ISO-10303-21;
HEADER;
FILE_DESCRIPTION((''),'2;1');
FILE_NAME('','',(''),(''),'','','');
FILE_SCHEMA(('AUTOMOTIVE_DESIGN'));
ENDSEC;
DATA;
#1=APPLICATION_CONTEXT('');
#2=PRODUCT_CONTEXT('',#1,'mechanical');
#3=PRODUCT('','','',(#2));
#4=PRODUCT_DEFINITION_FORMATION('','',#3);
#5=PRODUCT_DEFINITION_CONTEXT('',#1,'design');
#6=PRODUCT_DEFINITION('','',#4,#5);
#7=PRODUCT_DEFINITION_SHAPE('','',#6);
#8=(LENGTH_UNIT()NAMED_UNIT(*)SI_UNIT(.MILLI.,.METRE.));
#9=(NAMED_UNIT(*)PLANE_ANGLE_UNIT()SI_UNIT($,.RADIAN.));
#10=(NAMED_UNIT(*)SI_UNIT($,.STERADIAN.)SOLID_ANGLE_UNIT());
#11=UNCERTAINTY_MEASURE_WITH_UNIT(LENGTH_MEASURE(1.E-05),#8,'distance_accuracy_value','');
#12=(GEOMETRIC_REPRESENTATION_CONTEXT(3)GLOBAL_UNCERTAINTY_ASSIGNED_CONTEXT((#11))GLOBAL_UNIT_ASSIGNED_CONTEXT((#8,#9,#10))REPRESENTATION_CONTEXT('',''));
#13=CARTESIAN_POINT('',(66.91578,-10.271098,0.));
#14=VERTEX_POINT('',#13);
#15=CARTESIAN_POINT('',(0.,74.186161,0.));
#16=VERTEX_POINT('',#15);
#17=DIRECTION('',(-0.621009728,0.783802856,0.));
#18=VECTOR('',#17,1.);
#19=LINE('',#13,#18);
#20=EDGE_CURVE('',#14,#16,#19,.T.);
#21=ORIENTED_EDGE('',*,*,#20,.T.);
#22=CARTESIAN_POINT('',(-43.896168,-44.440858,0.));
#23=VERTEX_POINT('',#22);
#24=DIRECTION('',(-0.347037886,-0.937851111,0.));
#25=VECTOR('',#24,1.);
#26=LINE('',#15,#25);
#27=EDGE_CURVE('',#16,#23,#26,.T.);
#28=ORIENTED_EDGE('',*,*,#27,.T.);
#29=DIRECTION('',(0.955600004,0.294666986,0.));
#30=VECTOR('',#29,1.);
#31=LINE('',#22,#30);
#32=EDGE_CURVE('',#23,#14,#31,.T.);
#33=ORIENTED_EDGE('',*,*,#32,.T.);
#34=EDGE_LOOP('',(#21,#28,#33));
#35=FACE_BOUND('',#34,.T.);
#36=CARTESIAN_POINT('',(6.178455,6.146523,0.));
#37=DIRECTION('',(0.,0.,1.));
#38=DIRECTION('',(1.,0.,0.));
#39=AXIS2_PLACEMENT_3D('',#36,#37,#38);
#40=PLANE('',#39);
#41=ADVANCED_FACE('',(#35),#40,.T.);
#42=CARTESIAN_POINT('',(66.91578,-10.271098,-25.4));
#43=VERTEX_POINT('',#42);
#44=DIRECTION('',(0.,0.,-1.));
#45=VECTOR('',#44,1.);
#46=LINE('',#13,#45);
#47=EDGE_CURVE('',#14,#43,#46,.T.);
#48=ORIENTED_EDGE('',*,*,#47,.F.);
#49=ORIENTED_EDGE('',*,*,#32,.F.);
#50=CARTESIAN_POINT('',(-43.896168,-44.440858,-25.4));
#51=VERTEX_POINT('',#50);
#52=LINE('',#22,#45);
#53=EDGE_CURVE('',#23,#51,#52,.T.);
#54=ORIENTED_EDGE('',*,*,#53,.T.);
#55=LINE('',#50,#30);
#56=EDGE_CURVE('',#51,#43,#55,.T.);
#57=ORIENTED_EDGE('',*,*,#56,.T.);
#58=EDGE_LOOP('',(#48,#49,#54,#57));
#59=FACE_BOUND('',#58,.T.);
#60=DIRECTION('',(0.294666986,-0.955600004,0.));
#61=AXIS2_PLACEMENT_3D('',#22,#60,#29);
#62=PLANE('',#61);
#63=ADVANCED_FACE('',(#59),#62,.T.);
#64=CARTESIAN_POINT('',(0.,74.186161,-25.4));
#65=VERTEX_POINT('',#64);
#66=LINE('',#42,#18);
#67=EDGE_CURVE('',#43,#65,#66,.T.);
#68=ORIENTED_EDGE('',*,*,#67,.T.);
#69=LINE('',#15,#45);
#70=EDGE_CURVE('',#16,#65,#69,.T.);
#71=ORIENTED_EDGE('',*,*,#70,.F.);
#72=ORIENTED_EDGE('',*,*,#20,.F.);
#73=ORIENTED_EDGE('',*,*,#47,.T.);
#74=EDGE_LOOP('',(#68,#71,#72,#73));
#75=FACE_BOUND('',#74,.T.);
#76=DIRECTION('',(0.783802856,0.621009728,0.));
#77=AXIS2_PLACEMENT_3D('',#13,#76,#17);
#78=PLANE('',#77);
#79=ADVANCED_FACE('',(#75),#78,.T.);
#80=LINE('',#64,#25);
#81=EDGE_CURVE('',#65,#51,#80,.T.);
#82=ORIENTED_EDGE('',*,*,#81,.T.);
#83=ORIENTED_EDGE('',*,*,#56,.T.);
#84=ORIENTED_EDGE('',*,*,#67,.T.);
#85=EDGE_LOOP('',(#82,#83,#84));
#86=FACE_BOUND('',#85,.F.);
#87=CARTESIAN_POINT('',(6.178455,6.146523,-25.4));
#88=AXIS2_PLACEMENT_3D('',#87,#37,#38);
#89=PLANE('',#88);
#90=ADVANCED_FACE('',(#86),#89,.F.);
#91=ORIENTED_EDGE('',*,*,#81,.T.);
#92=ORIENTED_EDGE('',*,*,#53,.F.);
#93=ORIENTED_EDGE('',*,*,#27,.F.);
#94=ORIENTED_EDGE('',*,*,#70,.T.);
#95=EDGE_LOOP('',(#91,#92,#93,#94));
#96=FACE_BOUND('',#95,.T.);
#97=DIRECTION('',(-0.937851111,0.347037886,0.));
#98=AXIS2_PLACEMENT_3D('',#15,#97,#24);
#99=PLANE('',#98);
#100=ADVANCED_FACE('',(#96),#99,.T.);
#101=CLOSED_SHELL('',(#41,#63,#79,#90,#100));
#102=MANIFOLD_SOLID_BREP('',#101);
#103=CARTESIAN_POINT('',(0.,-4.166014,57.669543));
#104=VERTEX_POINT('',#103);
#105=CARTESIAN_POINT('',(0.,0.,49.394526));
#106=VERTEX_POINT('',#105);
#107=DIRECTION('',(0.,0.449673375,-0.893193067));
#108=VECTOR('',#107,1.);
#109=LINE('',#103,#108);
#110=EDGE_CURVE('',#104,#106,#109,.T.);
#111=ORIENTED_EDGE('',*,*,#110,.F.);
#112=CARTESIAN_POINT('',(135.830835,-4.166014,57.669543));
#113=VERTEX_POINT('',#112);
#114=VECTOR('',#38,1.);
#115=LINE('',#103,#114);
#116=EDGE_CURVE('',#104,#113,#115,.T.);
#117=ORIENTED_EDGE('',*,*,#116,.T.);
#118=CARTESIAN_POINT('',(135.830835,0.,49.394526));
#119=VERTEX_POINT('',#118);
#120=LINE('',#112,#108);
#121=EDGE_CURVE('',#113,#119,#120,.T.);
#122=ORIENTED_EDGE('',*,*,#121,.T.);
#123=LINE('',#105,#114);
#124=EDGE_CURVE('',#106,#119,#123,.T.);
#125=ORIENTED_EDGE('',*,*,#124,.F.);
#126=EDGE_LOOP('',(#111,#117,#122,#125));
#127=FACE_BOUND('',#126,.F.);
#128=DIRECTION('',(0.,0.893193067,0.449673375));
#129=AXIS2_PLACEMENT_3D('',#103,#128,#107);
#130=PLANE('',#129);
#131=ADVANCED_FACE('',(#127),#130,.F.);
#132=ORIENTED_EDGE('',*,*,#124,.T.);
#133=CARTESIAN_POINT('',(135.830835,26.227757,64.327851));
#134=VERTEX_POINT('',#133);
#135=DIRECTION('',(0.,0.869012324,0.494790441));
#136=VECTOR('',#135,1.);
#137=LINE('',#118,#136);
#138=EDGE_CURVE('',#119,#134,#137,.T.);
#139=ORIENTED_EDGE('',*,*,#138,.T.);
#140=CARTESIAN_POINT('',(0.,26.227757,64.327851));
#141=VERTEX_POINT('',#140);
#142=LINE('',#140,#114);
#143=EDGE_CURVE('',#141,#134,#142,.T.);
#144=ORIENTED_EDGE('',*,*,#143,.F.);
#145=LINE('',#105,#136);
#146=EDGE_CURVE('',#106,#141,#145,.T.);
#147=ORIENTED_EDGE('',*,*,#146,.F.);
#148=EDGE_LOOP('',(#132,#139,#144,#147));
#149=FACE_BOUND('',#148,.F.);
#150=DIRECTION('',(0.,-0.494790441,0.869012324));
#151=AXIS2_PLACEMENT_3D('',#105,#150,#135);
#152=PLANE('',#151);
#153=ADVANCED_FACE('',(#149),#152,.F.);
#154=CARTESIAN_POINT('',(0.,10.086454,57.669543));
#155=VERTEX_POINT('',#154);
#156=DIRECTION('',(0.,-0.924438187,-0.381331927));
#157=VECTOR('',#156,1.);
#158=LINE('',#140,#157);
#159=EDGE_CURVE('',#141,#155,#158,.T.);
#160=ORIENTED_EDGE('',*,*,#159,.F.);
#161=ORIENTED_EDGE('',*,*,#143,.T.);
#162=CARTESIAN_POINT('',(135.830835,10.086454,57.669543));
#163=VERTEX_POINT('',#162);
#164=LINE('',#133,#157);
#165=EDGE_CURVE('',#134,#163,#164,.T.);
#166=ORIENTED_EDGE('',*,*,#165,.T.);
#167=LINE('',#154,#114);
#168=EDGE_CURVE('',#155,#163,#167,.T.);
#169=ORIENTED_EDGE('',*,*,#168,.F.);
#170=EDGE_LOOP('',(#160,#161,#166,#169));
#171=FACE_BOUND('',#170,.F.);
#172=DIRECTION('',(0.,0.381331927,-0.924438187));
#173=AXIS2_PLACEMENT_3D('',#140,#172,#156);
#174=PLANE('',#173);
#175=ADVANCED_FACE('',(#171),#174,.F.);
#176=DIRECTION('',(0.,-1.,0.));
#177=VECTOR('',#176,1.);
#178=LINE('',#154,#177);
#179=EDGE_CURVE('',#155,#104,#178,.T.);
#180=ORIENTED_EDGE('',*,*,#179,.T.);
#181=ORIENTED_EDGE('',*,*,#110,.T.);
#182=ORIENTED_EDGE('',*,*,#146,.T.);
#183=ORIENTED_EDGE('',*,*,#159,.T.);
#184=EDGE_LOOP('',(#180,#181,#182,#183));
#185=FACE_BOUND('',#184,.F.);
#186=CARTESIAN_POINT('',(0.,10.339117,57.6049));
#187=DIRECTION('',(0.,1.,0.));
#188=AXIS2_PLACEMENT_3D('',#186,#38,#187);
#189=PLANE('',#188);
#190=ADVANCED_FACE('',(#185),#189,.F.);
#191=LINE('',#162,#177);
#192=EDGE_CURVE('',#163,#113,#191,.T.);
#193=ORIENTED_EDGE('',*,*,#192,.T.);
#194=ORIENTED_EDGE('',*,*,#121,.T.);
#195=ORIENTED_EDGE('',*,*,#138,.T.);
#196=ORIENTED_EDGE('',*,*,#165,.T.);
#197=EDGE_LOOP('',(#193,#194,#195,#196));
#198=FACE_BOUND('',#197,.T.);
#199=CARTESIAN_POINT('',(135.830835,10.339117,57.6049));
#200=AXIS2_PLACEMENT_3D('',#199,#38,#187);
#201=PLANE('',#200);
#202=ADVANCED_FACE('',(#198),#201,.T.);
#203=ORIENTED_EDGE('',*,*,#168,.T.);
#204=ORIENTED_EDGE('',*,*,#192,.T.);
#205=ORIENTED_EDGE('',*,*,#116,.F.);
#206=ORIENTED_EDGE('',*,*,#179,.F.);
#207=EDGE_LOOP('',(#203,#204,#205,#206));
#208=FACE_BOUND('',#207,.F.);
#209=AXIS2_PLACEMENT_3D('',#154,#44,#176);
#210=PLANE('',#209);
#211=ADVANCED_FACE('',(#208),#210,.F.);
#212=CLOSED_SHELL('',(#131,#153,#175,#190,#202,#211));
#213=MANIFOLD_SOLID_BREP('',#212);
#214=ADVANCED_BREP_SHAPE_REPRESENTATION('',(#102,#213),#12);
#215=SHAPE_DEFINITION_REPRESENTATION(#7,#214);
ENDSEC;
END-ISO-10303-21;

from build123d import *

# Parameters (mm, degrees)
F1_DEPTH = 25.4
F3_DEPTH = 135.830835


with BuildPart() as f1:
    # F0 (on Top) → F1 (new body)
    with BuildSketch(Plane.XY):
        Polygon((66.91578, -10.271098), (0, 74.186161), (-43.896168, -44.440858), align=None)
    extrude(amount=-F1_DEPTH)


with BuildPart() as f3:
    # F2 (on Right) → F3 (new body)
    with BuildSketch(Plane.YZ):
        Polygon((0, 49.394526), (26.227757, 64.327851), (10.086454, 57.669543), (-4.166014, 57.669543), align=None)
    extrude(amount=F3_DEPTH)


solid = Compound([f1.part, f3.part])
